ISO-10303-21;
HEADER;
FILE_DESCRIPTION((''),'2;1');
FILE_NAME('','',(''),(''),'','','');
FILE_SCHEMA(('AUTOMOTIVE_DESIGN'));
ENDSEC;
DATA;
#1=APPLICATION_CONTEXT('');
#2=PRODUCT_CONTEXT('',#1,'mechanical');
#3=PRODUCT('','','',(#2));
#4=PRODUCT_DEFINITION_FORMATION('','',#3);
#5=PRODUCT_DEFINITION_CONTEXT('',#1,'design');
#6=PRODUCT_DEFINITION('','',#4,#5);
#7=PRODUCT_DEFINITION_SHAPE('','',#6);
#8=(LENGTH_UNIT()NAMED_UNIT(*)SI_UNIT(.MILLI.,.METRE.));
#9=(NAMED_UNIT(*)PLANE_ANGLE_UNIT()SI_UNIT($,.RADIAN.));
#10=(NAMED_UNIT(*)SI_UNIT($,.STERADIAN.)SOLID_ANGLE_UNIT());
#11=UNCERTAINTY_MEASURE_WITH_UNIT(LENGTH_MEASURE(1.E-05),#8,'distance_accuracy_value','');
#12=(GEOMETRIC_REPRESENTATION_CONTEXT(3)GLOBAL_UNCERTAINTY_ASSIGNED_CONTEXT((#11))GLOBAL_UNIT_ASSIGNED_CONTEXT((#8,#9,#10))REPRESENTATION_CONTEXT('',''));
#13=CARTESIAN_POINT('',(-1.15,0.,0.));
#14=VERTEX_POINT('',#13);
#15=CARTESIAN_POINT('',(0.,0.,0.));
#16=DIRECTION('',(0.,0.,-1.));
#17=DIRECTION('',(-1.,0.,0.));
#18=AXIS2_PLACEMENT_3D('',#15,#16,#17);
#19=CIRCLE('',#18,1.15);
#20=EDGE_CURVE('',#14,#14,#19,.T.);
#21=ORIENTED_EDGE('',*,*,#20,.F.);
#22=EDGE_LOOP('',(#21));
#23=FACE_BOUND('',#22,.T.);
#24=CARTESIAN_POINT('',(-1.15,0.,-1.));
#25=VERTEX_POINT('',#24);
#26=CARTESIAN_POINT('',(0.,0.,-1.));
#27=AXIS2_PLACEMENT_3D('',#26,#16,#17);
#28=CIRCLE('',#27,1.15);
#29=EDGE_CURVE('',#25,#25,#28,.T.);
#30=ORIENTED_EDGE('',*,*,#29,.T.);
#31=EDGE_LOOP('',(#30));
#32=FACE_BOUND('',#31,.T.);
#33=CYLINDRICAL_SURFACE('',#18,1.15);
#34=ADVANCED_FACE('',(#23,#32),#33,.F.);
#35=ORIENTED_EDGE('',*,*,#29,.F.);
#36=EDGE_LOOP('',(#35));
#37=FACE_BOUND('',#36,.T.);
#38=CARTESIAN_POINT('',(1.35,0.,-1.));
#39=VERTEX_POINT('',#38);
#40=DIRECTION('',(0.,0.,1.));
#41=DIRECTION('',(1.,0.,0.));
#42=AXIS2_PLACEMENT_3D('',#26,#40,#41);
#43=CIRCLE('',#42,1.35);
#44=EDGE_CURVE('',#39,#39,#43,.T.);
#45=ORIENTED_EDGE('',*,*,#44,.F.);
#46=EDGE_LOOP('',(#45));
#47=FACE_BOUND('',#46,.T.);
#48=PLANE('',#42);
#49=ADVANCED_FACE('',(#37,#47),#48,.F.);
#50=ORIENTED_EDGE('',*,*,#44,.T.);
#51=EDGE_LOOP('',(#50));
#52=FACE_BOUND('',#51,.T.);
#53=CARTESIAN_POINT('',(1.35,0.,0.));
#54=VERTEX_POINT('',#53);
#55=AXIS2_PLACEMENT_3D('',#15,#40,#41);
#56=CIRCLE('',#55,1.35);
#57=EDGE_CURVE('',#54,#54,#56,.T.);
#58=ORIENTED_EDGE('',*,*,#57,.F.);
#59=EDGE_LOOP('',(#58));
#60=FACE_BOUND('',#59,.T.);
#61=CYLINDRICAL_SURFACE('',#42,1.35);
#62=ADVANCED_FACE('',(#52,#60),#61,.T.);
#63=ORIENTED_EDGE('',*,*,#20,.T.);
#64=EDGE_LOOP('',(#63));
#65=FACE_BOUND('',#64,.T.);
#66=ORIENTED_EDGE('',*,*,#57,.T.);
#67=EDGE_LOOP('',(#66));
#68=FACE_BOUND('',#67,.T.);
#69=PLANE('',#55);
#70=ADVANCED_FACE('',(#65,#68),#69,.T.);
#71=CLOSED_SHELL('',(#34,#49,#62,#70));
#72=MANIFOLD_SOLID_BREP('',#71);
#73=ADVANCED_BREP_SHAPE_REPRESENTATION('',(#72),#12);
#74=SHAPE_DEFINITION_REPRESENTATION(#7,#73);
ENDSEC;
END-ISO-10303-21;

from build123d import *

# Parameters (mm, degrees)
SKETCH1_R           = 1.35
BOSS_EXTRUDE1_DEPTH = 1
SKETCH2_R           = 1.15
CUT_EXTRUDE1_DEPTH  = 2


with BuildPart() as part:
    # Sketch1 → Boss-Extrude1 (new body)
    with BuildSketch(Plane.XY):
        Circle(SKETCH1_R)
    extrude(amount=-BOSS_EXTRUDE1_DEPTH)

    # Sketch2 → Cut-Extrude1 (cut, through all)
    with BuildSketch(Plane(origin=(0, 0, -1), x_dir=(-1, 0, 0), z_dir=(0, 0, -1))):
        Circle(SKETCH2_R)
    extrude(amount=-CUT_EXTRUDE1_DEPTH, mode=Mode.SUBTRACT)


solid = part.part
